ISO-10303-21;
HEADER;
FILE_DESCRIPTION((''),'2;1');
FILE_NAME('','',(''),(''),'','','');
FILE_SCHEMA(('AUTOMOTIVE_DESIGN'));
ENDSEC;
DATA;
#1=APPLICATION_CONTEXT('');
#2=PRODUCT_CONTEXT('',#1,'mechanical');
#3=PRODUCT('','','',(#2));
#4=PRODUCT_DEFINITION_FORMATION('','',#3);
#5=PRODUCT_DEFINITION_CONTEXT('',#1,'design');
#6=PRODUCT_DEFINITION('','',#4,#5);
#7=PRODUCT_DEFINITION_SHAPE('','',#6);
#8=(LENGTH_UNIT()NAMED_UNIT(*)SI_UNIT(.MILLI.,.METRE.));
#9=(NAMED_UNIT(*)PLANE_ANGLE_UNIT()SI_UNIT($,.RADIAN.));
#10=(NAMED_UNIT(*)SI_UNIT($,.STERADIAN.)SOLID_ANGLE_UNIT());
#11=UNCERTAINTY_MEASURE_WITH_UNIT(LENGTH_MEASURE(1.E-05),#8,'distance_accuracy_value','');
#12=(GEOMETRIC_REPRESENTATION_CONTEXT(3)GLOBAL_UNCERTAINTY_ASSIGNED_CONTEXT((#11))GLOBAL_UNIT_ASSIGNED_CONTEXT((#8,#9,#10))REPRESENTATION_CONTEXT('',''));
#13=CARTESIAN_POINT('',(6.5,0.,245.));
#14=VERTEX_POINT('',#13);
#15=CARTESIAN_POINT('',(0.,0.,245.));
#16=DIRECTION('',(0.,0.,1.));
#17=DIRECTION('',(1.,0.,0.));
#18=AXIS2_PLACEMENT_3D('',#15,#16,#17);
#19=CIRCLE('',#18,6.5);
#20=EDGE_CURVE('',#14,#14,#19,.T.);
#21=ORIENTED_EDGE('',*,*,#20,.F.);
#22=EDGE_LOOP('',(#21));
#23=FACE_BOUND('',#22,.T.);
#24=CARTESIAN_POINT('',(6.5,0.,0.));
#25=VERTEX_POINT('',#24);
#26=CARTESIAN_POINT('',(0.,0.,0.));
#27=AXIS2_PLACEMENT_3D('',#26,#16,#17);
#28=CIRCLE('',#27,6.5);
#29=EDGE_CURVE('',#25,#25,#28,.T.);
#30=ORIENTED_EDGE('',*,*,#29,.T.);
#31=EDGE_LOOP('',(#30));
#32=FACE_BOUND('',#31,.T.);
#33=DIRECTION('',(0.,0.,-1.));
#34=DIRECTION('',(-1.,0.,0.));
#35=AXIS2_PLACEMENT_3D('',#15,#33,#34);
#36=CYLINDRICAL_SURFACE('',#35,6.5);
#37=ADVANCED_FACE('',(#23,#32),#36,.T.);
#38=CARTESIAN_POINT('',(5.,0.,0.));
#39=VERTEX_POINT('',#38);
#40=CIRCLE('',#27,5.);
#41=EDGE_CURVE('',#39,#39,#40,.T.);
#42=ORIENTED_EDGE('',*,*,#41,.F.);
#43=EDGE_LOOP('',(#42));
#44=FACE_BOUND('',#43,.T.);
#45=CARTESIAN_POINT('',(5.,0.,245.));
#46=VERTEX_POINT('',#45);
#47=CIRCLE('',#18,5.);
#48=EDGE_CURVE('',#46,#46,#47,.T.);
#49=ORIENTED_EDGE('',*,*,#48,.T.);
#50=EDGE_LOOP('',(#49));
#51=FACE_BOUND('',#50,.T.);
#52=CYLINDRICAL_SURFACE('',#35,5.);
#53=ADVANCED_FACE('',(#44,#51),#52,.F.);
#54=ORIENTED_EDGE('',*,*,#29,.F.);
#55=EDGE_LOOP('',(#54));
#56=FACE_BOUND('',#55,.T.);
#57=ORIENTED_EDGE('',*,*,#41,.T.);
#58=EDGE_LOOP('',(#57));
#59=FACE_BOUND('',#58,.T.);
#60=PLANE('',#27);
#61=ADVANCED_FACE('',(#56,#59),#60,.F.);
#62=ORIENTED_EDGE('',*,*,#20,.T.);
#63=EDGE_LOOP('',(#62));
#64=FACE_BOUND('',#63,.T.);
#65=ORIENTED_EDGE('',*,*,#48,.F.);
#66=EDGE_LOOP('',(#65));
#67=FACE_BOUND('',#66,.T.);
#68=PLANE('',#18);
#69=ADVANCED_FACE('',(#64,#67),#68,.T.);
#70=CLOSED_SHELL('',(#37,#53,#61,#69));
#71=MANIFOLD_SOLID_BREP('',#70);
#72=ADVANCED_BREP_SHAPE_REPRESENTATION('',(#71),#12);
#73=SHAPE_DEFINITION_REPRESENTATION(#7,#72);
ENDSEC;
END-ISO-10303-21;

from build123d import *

# Parameters (mm, degrees)
SKETCH1_R           = 6.5
SKETCH1_R_2         = 5
EXTRUDE_THIN1_DEPTH = 245


with BuildPart() as part:
    # Sketch1 → Extrude-Thin1 (new body)
    with BuildSketch(Plane.XY):
        Circle(SKETCH1_R)
        Circle(SKETCH1_R_2, mode=Mode.SUBTRACT)
    extrude(amount=EXTRUDE_THIN1_DEPTH)


solid = part.part
